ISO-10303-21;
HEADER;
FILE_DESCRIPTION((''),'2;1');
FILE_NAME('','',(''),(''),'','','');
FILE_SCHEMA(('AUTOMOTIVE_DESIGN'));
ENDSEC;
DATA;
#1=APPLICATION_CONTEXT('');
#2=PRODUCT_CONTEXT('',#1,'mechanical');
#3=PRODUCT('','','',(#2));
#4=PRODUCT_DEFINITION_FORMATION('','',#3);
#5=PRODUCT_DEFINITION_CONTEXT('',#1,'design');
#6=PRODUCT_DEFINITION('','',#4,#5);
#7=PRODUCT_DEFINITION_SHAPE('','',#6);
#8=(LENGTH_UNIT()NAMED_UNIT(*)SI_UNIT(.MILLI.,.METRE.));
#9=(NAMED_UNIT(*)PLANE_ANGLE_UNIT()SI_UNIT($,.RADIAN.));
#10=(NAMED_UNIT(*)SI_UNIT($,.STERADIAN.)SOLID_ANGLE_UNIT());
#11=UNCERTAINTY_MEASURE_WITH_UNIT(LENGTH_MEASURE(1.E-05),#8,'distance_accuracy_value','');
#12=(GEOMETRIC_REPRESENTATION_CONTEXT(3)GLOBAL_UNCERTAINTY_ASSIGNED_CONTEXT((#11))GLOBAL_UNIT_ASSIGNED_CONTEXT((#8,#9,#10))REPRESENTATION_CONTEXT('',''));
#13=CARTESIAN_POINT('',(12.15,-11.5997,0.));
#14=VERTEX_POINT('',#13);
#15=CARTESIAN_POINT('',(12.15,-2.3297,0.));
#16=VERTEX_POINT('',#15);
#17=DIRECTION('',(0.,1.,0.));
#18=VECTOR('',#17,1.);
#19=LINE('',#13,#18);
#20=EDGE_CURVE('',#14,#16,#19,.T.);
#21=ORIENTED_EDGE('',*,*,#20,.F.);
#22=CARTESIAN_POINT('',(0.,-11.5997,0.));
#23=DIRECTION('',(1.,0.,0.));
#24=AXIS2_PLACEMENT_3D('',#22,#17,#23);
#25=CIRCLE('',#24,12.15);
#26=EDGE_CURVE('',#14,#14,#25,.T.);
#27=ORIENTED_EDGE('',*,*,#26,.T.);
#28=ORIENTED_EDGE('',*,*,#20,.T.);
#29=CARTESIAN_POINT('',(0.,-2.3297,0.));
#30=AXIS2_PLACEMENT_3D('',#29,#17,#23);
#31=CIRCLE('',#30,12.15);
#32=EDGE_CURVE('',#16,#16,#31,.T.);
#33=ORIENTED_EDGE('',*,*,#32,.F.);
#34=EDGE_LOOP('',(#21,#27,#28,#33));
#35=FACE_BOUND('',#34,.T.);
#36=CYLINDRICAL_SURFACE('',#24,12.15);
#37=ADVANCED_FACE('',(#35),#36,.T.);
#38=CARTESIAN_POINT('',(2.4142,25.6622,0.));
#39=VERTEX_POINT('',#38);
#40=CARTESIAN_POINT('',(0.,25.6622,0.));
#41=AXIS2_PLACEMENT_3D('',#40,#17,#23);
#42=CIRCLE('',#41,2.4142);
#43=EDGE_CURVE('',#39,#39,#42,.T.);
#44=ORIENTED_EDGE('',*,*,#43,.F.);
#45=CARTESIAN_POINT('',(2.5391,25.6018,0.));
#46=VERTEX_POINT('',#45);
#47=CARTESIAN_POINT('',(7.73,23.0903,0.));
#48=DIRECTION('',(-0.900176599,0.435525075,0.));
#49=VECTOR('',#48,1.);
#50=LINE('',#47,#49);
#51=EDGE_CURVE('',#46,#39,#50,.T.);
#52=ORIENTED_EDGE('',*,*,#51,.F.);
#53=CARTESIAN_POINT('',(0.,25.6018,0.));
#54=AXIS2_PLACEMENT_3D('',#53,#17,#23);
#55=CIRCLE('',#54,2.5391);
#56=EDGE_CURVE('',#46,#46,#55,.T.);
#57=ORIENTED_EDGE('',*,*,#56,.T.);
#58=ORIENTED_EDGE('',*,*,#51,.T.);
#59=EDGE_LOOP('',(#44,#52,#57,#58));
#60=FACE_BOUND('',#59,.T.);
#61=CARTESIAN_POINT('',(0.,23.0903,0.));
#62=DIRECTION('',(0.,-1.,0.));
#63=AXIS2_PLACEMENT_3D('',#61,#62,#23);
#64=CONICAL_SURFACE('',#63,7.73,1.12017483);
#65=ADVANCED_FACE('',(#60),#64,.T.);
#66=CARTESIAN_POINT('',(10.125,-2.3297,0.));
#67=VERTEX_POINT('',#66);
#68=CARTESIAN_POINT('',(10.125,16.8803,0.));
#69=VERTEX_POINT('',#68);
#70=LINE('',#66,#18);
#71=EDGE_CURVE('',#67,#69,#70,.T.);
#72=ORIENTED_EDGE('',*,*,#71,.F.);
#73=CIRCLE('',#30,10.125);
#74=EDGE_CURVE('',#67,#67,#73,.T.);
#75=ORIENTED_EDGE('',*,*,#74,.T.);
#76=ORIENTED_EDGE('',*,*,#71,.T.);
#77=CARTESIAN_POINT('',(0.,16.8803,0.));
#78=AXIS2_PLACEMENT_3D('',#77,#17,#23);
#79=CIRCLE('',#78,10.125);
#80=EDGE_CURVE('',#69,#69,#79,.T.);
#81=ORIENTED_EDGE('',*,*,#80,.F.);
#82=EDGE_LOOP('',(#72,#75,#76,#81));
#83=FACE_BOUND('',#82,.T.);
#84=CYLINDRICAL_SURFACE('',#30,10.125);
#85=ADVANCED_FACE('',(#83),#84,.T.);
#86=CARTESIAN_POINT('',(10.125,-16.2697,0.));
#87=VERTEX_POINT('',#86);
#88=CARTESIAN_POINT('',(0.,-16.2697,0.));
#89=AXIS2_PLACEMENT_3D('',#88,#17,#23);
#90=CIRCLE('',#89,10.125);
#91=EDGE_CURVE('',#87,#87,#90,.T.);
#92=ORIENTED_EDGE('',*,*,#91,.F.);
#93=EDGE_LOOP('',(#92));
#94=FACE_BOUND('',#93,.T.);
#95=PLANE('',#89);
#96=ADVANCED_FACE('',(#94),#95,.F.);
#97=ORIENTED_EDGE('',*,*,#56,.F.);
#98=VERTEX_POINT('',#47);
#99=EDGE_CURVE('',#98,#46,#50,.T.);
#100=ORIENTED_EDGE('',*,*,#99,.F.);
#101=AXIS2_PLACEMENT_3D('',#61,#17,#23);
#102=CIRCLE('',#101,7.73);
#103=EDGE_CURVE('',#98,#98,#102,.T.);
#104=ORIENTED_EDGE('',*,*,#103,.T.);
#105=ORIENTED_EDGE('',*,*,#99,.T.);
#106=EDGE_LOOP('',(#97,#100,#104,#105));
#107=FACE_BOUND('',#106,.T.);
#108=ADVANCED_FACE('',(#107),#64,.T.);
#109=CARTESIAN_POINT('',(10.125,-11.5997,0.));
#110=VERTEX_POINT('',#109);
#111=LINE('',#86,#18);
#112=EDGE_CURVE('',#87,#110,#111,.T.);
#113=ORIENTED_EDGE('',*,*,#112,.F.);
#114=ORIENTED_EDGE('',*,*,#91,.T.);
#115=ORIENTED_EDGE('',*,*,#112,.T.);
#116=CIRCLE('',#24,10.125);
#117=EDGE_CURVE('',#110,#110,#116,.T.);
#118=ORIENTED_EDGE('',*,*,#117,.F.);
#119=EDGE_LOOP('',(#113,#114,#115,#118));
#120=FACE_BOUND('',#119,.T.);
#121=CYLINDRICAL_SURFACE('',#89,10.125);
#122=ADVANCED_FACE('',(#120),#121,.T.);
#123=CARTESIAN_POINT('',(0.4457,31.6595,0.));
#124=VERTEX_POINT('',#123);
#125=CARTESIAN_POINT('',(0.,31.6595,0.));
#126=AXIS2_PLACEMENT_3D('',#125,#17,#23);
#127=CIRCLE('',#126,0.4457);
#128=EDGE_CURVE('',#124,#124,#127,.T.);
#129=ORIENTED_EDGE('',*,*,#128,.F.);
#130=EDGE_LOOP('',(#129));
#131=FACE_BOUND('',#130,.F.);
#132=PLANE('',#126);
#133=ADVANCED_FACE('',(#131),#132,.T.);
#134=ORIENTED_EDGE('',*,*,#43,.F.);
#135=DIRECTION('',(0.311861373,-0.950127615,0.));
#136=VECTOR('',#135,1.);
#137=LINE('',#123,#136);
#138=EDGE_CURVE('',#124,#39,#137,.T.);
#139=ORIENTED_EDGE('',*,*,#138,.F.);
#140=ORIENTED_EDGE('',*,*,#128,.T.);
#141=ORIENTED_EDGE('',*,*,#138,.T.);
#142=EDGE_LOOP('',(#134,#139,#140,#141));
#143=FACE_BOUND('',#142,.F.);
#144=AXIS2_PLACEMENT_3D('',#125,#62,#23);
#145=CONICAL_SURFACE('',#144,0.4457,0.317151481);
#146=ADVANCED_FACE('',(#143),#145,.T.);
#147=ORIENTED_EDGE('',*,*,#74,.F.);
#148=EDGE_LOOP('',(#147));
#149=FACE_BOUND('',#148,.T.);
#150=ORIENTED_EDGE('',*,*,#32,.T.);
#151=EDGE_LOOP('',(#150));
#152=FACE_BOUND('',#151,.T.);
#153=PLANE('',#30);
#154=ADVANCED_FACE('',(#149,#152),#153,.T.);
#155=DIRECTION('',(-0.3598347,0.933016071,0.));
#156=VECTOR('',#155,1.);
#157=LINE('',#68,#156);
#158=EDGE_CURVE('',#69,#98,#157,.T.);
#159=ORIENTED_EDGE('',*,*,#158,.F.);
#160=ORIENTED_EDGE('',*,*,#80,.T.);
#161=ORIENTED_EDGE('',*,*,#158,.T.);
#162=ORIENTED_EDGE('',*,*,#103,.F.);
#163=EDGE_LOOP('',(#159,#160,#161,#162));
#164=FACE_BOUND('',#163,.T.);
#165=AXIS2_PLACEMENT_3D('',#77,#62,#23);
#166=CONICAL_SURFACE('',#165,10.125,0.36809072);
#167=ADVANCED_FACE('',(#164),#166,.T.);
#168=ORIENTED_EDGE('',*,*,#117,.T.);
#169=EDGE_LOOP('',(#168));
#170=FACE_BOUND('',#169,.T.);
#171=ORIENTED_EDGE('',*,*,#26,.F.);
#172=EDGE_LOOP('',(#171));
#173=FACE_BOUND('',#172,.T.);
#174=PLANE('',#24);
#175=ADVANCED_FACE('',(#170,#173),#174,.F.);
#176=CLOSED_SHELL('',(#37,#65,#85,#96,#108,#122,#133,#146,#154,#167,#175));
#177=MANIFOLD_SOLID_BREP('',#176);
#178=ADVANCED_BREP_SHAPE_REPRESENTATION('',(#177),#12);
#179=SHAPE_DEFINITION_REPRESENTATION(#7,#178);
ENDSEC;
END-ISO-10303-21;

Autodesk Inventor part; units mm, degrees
ref_plane "YZ Plane" through (0, 0, 0) normal (1, 0, 0) x (0, 1, 0)
ref_plane "XZ Plane" through (0, 0, 0) normal (0, 1, 0) x (-1, 0, 0)
ref_plane "XY Plane" through (0, 0, 0) normal (0, 0, 1) x (1, 0, 0)
sketch "Sketch1" plane through (0, 0, 0) normal (0, 0, 1) x (1, 0, 0)
  line L0 (0, -16.2697) -> (0, 26.8303)
  line L1 (0, -16.2697) -> (10.125, -16.2697)
  line L2 (10.125, -16.2697) -> (10.125, -11.5997)
  line L3 (10.125, -11.5997) -> (12.15, -11.5997)
  line L4 (12.15, -11.5997) -> (12.15, -2.3297)
  line L5 (12.15, -2.3297) -> (10.125, -2.3297)
  line L6 (10.125, -2.3297) -> (10.125, 16.8803)
  line L7 (10.125, 16.8803) -> (7.73, 23.0903)
  line L8 (7.73, 23.0903) -> (2.4142, 25.6622)
  line L9 (2.5391, 25.6018) -> (2.4142, 25.6622)
  line L10 (0, 31.6595) -> (0, 26.8303)
  line L11 (0, 31.6595) -> (0.4457, 31.6595)
  line L12 (0.4457, 31.6595) -> (2.4142, 25.6622)
  point P0 (0, 0)
  dimension "d0" = 43.1
  dimension "d1" = 10.125
  dimension "d2" = 4.67
  dimension "d3" = 2.025
  dimension "d4" = 90
  dimension "d5" = 9.27
  dimension "d6" = 19.21
  dimension "d7" = 7.73
  dimension "d8" = 39.36
revolve "Revolution1" add sketch "Sketch1" angle 360 about axis through (0, -16.2697, 0) along (0, 1, 0)
properties part number "00_objectivelens_10x"
